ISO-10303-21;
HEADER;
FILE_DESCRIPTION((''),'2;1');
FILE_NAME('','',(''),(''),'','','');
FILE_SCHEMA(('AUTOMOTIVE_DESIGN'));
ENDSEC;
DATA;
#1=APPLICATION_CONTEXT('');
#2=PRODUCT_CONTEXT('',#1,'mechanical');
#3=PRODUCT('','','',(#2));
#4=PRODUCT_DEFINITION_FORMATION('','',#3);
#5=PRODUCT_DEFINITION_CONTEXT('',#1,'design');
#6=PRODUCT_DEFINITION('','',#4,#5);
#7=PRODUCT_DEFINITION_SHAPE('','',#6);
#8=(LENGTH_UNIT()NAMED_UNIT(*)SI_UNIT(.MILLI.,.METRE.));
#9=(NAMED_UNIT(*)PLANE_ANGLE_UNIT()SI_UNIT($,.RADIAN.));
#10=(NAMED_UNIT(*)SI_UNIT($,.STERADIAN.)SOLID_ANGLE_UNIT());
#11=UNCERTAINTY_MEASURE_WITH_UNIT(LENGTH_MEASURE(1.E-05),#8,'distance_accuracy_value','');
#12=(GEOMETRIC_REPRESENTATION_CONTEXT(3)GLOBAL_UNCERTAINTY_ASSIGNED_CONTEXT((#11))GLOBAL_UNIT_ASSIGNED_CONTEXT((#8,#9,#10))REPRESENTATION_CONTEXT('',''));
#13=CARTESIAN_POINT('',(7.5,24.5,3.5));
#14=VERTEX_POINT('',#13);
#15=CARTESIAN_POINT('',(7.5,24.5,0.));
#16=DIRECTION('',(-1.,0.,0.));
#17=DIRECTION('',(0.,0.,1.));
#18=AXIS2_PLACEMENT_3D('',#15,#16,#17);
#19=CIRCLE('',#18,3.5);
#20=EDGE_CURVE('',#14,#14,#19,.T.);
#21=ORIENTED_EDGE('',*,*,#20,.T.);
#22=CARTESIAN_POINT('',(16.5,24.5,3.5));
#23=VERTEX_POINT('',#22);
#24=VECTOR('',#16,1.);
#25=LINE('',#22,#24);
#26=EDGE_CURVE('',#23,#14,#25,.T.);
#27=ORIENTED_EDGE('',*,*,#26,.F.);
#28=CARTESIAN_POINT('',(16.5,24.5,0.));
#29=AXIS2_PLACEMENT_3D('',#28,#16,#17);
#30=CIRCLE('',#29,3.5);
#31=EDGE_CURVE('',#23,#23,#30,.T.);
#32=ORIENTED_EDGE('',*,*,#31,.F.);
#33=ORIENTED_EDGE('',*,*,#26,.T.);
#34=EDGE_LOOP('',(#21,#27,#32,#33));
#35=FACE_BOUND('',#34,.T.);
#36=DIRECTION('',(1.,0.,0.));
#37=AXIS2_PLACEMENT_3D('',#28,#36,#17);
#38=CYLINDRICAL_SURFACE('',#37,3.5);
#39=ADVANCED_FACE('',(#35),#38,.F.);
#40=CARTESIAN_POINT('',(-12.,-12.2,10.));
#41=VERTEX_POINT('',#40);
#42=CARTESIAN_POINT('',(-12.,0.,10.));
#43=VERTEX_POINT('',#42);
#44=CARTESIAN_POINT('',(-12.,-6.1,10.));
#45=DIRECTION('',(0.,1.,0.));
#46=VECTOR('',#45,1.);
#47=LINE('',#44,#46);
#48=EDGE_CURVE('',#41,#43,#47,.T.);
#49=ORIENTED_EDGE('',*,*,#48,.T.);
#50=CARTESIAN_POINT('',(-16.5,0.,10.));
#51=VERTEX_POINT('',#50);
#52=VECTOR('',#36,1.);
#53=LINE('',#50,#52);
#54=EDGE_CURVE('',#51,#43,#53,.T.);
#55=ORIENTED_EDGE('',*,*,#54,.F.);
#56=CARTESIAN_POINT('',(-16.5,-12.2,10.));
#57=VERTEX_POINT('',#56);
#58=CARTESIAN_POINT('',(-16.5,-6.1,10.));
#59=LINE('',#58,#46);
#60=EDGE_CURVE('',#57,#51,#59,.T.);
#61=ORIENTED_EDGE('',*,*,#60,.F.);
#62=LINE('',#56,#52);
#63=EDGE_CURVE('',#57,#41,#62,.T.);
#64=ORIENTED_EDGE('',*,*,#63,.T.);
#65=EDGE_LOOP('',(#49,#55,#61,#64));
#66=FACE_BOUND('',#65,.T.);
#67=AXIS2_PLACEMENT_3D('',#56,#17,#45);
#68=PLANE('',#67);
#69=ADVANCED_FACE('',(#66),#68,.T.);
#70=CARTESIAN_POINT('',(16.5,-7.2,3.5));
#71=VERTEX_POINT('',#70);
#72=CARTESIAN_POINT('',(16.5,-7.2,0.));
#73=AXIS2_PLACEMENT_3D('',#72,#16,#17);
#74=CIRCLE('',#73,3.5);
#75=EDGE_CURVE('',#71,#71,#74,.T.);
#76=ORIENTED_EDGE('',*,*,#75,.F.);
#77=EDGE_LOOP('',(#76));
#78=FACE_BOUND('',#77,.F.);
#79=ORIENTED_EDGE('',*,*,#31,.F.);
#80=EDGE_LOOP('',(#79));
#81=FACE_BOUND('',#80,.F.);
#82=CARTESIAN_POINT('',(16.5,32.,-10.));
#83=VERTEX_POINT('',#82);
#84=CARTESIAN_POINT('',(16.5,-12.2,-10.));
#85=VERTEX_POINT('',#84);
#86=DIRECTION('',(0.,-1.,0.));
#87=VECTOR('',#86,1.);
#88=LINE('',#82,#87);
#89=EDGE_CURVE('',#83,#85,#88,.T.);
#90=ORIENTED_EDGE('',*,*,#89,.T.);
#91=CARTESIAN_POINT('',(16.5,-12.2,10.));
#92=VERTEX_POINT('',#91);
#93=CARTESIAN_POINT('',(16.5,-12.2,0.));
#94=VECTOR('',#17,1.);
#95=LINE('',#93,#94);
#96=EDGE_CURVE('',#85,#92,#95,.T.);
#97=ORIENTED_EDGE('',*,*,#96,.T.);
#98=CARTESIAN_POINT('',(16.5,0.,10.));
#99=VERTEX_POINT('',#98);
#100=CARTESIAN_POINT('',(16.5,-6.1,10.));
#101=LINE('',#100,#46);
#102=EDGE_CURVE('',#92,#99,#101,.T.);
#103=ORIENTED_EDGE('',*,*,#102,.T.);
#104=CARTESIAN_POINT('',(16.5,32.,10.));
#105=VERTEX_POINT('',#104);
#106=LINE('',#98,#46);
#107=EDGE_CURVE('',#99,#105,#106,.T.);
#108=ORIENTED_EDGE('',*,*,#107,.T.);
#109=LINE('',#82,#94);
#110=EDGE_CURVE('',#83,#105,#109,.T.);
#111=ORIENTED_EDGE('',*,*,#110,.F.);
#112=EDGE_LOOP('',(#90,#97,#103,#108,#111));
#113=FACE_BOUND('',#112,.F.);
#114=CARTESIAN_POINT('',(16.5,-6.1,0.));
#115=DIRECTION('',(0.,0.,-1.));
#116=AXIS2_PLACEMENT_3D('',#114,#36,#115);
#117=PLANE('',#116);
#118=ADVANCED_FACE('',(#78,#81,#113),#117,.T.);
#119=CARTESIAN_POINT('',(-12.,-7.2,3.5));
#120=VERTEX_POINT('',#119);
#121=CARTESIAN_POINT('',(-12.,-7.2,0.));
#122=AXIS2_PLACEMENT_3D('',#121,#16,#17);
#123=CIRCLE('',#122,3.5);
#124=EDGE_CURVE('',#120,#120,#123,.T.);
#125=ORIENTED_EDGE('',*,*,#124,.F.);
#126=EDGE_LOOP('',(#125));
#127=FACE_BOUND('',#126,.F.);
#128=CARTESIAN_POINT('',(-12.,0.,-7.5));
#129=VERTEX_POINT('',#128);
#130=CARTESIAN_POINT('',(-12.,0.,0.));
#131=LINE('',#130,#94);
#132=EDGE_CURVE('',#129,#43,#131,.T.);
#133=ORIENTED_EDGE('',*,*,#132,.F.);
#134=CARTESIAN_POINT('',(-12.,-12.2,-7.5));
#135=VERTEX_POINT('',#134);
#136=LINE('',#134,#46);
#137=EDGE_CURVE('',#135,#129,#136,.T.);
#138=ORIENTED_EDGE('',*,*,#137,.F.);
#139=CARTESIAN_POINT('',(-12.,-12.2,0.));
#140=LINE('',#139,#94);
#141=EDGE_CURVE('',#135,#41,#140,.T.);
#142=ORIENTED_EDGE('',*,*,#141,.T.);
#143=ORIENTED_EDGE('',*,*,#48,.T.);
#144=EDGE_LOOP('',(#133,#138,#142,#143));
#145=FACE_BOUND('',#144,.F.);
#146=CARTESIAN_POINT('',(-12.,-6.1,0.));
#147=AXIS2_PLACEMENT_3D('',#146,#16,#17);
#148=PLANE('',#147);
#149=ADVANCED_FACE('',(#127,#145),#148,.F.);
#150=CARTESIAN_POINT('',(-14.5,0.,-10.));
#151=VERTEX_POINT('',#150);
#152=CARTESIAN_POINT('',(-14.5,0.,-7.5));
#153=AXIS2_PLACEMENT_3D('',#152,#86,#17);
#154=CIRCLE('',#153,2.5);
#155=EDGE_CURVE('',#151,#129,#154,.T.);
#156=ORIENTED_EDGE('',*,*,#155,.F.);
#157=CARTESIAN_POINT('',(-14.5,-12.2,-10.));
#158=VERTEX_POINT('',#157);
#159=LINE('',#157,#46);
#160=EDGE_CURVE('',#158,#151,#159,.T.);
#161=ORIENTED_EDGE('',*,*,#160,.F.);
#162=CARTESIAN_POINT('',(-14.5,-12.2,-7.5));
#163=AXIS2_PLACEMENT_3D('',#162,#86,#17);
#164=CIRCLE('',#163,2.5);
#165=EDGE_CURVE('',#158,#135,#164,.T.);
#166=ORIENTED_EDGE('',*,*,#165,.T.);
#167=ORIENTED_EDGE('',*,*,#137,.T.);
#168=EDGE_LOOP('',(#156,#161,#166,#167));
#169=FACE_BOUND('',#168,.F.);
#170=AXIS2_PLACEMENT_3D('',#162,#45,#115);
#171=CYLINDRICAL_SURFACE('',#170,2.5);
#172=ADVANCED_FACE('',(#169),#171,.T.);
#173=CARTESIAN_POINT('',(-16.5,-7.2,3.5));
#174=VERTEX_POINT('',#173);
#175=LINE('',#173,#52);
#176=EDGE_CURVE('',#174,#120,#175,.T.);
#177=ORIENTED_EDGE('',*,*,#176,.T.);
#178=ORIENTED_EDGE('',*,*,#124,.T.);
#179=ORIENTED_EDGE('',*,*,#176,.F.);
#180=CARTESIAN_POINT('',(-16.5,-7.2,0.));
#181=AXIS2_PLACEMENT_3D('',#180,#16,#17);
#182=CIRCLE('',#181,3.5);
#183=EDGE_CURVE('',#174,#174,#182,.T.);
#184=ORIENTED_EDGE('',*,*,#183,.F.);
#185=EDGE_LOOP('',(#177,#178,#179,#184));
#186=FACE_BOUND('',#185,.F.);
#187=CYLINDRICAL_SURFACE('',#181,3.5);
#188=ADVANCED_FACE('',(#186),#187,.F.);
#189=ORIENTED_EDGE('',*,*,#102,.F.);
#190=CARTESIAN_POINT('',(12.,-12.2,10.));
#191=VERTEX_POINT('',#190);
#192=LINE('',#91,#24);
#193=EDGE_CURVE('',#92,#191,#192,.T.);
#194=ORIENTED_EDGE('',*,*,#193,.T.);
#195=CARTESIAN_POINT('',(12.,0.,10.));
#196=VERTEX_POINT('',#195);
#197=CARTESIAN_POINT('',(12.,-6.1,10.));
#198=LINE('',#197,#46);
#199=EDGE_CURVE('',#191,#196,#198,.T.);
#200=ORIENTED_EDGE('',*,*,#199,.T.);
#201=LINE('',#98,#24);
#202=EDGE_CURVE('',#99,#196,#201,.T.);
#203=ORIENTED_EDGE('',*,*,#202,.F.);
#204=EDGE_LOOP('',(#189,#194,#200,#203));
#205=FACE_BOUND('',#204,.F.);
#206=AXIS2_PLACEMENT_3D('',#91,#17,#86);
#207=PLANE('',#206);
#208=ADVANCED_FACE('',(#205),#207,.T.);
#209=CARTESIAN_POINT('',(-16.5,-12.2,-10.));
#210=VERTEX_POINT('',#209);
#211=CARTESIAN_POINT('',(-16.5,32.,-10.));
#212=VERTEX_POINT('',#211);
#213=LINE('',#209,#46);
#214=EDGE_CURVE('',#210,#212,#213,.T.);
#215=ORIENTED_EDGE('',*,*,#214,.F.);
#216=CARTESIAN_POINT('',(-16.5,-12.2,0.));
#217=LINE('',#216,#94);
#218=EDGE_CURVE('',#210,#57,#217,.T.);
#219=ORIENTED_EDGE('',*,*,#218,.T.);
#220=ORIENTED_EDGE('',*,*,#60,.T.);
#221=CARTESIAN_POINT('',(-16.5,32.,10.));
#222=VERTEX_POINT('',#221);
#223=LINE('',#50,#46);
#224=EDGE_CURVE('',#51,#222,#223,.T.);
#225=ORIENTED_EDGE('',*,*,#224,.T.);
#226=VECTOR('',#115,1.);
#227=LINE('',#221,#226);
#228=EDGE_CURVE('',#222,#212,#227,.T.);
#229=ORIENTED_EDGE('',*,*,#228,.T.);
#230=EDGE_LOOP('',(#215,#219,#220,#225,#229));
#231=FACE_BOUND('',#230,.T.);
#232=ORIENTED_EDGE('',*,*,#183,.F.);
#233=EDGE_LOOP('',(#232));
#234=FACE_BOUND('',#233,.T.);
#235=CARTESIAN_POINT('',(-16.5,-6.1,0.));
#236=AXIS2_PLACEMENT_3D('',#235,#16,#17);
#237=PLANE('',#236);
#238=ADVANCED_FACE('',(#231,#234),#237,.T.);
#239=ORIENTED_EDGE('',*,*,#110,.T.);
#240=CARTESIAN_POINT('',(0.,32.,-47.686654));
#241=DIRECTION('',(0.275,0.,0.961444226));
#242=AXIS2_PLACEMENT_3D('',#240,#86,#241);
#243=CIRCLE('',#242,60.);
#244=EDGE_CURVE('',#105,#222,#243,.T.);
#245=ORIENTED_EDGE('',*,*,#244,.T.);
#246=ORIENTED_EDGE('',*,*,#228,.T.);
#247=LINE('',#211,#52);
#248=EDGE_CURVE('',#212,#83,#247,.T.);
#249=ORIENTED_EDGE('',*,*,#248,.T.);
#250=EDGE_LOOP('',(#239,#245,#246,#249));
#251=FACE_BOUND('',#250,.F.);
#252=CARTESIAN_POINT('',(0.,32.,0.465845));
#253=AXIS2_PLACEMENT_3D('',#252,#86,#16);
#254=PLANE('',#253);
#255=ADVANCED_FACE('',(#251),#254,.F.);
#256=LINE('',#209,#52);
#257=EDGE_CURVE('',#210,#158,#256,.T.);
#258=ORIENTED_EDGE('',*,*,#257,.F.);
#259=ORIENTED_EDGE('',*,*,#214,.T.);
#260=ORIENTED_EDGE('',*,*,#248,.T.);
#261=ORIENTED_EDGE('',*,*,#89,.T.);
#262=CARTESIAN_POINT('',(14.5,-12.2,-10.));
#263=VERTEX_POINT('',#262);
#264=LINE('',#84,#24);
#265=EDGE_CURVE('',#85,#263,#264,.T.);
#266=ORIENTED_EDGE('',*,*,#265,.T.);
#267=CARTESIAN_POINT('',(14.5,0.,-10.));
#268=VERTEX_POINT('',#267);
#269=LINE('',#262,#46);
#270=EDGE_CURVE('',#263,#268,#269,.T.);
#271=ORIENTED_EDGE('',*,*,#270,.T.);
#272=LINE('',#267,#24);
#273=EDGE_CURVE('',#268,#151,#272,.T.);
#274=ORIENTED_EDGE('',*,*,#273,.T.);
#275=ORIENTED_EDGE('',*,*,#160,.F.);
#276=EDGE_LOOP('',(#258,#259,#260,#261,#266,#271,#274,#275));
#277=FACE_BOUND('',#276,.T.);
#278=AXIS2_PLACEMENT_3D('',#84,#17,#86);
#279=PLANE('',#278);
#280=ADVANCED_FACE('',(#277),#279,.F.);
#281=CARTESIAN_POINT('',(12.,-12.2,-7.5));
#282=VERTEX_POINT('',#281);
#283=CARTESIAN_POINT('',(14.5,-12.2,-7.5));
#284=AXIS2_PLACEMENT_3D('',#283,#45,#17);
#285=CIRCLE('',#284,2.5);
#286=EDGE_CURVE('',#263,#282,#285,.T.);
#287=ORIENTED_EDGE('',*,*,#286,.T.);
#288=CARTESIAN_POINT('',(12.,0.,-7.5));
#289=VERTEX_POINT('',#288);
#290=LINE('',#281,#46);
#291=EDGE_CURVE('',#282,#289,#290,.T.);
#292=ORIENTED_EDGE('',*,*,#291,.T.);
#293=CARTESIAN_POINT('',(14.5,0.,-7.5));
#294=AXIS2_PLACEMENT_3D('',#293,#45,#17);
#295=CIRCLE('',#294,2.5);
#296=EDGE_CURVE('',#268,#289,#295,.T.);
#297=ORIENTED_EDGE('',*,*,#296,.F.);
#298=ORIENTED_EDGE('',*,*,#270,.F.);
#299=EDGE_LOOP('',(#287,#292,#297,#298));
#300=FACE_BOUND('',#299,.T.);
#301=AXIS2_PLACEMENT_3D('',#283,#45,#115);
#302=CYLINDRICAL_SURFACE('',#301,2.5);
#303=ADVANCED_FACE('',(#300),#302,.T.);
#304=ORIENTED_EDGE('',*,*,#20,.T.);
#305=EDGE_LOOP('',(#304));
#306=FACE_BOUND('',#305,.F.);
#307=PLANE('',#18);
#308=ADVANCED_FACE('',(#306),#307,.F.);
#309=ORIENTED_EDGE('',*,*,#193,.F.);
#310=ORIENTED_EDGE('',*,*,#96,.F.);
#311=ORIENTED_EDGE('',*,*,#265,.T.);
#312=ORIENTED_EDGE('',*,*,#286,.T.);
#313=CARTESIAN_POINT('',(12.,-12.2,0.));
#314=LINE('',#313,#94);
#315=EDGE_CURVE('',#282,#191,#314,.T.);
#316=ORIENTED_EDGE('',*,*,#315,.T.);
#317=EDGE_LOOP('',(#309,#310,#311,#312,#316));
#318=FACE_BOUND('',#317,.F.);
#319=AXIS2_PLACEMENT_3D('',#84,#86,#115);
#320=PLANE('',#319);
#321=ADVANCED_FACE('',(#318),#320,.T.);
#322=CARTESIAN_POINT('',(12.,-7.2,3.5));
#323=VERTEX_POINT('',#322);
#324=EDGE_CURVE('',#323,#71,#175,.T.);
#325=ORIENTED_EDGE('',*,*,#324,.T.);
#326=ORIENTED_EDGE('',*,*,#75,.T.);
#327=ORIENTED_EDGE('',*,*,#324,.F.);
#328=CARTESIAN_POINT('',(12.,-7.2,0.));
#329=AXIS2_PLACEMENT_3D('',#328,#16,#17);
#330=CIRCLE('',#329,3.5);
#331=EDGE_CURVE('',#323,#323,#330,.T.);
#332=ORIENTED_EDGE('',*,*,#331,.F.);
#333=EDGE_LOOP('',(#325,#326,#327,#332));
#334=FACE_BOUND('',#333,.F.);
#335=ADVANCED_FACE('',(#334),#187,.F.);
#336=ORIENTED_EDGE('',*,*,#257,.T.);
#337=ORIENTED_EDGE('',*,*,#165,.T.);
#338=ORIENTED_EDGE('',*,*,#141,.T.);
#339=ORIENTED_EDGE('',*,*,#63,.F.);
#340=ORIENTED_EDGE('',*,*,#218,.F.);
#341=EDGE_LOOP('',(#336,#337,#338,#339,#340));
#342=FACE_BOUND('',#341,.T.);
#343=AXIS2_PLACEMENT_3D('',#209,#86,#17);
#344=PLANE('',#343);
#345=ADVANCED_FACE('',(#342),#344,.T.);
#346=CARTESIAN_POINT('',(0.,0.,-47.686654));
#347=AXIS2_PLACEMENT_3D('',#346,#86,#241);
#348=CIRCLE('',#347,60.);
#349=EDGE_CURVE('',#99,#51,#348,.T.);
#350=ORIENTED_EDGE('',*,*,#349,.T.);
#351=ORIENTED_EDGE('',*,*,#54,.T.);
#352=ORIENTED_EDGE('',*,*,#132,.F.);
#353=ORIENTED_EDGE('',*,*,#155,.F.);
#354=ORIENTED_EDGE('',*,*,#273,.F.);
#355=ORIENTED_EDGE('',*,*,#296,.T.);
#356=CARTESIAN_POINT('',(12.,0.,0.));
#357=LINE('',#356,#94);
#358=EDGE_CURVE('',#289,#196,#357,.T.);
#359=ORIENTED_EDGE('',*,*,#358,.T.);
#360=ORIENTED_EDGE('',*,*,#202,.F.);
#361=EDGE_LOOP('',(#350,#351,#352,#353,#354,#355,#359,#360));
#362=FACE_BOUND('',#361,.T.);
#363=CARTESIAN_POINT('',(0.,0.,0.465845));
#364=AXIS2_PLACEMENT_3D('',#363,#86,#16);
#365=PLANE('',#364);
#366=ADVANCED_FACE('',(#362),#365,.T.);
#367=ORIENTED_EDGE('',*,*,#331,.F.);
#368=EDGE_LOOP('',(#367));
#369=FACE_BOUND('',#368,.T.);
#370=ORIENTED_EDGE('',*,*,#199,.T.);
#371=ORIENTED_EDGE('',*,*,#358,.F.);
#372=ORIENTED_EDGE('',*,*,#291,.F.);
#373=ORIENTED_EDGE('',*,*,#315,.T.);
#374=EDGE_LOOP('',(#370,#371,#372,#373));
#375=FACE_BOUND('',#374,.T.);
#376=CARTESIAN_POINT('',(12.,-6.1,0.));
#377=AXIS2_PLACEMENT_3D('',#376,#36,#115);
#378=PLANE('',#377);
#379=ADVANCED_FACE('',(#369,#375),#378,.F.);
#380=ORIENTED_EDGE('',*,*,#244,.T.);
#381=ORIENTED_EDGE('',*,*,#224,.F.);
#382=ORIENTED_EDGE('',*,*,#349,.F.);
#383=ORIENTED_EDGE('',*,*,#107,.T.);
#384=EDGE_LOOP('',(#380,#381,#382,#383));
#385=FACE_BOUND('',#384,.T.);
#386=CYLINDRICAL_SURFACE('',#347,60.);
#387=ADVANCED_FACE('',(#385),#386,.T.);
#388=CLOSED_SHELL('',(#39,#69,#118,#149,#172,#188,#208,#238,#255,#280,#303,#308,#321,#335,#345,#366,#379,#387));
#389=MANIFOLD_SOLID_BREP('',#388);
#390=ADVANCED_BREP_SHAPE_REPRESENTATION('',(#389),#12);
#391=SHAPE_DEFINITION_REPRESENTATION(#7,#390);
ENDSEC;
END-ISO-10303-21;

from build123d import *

# Parameters (mm, degrees)
BOSS_EXTRUDE1_DEPTH = 32
SKETCH3_W           = 20
SKETCH3_H           = 12.2
BOSS_EXTRUDE2_DEPTH = 4.5
SKETCH4_R           = 3.5
CUT_EXTRUDE1_DEPTH  = 34
SKETCH5_R           = 3.5
CUT_EXTRUDE2_DEPTH  = 9
FILLET1_R           = 2.5


with BuildPart() as part:
    # Sketch1 → Boss-Extrude1 (new body)
    with BuildSketch(Plane(origin=(0, 0, 0), x_dir=(1, 0, 0), z_dir=(0, 1, 0))):
        with BuildLine():
            Line((-16.5, 10), (16.5, 10))
            Line((16.5, 10), (16.5, -10))
            ThreePointArc((16.5, -10), (0, -12.313346431), (-16.5, -10))
            Line((-16.5, -10), (-16.5, 10))
        make_face()
    extrude(amount=BOSS_EXTRUDE1_DEPTH)

    # Sketch3 → Boss-Extrude2 (add)
    with BuildSketch(Plane.ZY.offset(16.5)):
        with Locations((0, -6.1)):
            Rectangle(SKETCH3_W, SKETCH3_H)
    boss_extrude2 = extrude(amount=-BOSS_EXTRUDE2_DEPTH)

    # Mirror1: Boss-Extrude2 across plane
    add(boss_extrude2.mirror(Plane(origin=(0, 0, 0), x_dir=(0, 0, 1), z_dir=(1, 0, 0))))

    # Sketch4 → Cut-Extrude1 (cut, through all)
    with BuildSketch(Plane.ZY.offset(16.5)):
        with Locations((0, -7.2)):
            Circle(SKETCH4_R)
    extrude(amount=-CUT_EXTRUDE1_DEPTH, mode=Mode.SUBTRACT)

    # Sketch5 → Cut-Extrude2 (cut)
    with BuildSketch(Plane.ZY.offset(-16.5)):
        with Locations((0, 24.5)):
            Circle(SKETCH5_R)
    extrude(amount=CUT_EXTRUDE2_DEPTH, mode=Mode.SUBTRACT)

    # Fillet1
    fillet1_edges = [part.edges().sort_by_distance(p)[0] for p in [
        (-12, -6.1, -10),
        (12, -6.1, -10),
    ]]
    fillet(fillet1_edges, radius=FILLET1_R)


solid = part.part
